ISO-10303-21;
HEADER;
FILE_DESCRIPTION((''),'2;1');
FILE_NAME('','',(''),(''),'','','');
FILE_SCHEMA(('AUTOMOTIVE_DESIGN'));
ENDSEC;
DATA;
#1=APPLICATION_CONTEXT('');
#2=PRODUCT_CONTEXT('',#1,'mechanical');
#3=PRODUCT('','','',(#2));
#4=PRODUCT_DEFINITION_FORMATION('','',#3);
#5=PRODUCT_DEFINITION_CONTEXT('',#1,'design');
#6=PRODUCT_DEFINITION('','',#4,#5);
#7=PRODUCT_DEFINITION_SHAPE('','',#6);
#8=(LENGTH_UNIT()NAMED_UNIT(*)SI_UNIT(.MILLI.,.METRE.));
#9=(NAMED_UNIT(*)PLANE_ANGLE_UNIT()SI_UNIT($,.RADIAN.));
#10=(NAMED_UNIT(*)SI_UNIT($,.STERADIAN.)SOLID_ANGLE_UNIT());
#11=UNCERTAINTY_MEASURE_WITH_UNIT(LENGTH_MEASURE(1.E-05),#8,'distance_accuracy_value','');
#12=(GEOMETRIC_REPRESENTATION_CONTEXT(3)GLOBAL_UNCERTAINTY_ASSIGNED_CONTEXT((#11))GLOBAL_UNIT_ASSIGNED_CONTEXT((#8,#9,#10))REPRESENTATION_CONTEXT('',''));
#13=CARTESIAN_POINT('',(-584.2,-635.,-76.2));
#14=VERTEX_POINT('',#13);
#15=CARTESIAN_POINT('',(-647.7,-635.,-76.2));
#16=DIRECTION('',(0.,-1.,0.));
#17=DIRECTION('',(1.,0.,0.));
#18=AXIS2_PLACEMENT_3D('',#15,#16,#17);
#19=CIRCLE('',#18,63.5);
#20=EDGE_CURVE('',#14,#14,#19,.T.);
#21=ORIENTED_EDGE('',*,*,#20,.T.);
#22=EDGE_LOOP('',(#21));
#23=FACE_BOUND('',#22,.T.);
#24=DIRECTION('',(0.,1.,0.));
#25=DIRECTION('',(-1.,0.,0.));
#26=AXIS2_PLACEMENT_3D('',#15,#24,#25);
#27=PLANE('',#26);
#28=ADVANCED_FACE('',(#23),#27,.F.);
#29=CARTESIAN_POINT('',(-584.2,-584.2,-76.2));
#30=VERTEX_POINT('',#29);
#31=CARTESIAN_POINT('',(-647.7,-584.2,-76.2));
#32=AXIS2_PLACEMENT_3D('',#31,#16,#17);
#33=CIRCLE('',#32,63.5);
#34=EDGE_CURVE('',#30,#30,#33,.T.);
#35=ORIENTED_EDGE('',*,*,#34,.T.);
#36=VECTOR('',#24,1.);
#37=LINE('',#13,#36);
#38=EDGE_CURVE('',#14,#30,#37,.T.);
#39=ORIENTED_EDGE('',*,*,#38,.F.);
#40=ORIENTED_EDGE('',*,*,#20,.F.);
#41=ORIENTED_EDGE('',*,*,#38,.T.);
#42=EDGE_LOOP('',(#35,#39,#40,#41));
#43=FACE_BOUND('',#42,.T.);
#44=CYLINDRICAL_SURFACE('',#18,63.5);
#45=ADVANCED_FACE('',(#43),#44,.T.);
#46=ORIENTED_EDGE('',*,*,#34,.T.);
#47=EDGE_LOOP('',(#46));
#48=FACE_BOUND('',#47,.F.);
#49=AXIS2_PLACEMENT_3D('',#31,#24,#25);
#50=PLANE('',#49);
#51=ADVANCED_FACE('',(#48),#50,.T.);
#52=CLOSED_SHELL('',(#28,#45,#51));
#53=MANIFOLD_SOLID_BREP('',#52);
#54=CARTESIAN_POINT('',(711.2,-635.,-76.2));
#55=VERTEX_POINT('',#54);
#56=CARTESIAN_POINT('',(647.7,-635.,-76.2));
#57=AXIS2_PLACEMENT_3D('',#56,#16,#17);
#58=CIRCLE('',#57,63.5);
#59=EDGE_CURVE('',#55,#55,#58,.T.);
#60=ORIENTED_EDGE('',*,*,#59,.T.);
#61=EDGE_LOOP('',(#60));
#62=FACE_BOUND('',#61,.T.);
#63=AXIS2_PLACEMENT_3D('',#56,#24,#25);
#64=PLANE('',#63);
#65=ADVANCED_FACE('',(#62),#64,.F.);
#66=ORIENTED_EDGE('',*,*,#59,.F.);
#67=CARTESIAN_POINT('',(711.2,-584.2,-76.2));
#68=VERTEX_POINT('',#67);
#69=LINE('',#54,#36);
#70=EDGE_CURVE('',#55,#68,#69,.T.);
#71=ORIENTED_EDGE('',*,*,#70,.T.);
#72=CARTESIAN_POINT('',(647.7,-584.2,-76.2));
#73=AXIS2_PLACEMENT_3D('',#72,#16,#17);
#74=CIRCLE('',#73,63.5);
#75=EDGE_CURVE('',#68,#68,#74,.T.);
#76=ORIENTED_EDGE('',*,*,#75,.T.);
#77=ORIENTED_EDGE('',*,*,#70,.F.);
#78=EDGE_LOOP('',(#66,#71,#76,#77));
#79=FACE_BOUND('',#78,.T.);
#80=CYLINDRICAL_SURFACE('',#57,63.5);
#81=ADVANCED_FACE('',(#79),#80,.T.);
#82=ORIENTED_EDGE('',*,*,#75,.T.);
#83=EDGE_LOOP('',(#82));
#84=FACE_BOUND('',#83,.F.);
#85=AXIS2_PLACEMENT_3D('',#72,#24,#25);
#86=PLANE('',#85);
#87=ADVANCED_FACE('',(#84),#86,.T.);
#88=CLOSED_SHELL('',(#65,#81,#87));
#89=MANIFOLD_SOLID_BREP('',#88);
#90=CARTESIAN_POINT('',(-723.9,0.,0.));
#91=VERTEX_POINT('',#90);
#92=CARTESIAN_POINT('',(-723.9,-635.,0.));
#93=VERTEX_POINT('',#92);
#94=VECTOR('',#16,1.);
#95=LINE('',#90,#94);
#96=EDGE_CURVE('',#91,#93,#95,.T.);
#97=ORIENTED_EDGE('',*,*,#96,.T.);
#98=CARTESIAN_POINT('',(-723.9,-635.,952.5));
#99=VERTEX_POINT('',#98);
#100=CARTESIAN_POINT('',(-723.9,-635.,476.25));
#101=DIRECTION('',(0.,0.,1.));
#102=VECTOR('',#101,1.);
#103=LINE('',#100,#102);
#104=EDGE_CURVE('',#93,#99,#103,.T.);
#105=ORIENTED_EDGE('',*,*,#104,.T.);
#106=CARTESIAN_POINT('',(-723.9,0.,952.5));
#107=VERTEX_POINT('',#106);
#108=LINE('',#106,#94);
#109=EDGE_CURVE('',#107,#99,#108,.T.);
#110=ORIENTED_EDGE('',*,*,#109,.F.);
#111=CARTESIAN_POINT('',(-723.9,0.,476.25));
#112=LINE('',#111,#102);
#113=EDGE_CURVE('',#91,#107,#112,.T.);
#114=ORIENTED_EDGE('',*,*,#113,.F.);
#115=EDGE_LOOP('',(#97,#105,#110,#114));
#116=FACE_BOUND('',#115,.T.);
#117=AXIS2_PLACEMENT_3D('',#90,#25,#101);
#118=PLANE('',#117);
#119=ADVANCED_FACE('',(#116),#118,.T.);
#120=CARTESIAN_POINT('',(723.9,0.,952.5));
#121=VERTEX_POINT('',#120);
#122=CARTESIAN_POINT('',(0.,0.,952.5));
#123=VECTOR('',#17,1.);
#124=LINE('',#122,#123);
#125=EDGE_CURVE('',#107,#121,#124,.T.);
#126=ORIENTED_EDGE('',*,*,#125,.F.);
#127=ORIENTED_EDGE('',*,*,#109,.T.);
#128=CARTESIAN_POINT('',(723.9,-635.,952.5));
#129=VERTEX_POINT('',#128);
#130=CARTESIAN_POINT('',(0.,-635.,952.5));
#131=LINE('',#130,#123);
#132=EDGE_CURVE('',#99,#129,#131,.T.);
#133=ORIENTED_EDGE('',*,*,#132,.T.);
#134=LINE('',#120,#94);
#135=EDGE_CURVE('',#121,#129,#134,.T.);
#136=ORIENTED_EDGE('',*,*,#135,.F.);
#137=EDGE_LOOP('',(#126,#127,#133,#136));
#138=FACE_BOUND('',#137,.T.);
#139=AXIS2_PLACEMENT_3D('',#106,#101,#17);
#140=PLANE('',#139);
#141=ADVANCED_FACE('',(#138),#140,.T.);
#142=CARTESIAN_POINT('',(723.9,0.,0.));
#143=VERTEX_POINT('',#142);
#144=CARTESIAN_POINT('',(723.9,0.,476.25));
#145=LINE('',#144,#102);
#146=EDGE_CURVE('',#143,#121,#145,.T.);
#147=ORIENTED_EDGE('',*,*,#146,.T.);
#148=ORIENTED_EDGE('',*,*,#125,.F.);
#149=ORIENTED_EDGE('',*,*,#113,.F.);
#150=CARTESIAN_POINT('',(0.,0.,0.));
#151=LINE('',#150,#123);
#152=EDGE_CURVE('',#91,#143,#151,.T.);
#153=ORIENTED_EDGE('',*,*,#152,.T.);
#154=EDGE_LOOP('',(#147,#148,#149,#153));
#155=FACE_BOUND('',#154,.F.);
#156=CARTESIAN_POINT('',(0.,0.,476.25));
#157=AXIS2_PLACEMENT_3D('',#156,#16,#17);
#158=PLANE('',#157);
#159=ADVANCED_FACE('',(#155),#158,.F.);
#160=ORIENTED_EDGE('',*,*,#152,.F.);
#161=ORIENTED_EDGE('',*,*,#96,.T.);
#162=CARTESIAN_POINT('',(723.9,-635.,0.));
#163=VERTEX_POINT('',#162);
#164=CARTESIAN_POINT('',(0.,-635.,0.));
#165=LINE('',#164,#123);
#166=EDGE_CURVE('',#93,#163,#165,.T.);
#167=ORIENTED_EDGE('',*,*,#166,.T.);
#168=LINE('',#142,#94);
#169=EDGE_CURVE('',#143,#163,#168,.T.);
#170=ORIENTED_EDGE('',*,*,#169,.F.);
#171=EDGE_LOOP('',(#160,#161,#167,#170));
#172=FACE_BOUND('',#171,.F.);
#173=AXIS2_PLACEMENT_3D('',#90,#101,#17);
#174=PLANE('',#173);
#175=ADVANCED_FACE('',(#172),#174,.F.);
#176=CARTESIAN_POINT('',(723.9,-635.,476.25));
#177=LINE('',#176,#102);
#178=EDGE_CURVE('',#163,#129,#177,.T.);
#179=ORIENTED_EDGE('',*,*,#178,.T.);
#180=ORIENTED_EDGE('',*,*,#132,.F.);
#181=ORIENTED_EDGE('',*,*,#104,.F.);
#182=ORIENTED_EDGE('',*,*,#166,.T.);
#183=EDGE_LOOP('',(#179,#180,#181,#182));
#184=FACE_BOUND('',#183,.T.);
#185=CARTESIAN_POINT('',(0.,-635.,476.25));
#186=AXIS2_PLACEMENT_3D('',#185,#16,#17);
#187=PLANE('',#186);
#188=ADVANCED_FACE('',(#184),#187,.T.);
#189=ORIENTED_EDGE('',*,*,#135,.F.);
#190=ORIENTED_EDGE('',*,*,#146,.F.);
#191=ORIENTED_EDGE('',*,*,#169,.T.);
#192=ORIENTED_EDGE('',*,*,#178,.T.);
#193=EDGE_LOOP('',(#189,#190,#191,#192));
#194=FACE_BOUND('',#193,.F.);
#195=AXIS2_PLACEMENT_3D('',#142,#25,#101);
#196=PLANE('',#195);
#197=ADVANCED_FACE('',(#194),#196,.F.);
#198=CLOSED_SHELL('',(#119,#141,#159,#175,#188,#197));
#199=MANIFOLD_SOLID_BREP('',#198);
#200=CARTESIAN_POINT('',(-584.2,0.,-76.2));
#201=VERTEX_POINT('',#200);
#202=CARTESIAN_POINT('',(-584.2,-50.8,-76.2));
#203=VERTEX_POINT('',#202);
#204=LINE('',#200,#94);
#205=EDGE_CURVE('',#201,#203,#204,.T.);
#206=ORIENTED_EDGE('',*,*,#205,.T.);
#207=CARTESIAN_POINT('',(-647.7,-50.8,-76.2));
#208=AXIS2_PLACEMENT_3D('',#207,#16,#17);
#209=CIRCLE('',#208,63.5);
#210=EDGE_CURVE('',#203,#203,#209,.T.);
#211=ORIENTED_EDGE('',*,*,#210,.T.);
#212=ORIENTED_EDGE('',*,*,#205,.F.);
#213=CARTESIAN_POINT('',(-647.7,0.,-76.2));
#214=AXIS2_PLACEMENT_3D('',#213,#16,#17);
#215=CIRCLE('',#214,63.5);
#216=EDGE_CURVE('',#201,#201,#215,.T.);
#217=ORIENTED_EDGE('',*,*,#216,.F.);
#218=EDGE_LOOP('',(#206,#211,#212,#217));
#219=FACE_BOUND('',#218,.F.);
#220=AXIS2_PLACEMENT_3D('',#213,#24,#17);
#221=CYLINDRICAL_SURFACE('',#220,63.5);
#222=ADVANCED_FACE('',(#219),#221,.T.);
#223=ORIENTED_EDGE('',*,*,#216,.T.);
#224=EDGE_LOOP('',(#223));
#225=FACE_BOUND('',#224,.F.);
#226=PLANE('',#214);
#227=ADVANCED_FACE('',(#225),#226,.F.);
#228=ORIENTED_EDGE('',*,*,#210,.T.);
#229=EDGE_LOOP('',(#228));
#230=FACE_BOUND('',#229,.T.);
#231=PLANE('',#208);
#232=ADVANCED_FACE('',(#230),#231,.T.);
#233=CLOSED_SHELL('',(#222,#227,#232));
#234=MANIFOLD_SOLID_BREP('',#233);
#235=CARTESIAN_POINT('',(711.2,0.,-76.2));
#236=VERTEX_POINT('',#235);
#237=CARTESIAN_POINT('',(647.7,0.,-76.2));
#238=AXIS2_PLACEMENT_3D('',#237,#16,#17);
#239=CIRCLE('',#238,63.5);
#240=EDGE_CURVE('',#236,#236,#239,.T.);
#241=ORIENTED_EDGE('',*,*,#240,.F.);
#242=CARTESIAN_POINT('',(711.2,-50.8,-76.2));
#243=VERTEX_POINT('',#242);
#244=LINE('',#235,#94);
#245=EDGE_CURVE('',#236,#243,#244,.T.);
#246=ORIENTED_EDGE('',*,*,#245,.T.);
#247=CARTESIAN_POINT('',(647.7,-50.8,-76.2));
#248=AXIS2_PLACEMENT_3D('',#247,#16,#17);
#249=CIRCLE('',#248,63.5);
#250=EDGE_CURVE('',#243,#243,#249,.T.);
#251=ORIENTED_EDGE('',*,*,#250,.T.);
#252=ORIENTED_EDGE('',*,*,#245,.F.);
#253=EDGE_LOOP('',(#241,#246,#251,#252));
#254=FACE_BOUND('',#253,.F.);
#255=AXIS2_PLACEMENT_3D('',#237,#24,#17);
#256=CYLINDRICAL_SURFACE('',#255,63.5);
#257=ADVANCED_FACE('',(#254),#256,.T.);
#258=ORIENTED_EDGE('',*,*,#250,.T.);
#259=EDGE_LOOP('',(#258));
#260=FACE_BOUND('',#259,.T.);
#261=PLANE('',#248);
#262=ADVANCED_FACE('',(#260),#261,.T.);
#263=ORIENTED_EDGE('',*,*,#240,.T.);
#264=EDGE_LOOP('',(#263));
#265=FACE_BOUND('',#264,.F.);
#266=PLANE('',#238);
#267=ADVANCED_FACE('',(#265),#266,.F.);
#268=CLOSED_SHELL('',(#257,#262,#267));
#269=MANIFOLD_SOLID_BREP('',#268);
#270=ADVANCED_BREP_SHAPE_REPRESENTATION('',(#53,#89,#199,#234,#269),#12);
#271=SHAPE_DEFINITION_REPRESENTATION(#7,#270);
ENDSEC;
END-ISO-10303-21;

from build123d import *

# Parameters (mm, degrees)
F0_W     = 1447.8
F0_H     = 952.5
F1_DEPTH = 635
F0_R     = 63.5
F2_DEPTH = 50.8


with BuildPart() as f1:
    # F0 (on Front) → F1 (new body)
    with BuildSketch(Plane.XZ):
        with Locations((0, 476.25)):
            Rectangle(F0_W, F0_H)
    extrude(amount=F1_DEPTH)


with BuildPart() as f2:
    # F0 (on Front) → F2 (new body)
    with BuildSketch(Plane.XZ):
        with Locations((647.7, -76.2)):
            Circle(F0_R)
    extrude(amount=F2_DEPTH)


with BuildPart() as f2b:
    # F0 (on Front) → F2, piece 2 (new body)
    with BuildSketch(Plane.XZ):
        with Locations((-647.7, -76.2)):
            Circle(F0_R)
    extrude(amount=F2_DEPTH)


with BuildPart() as f5_1:
    # F5: instance of F2
    add(f2.part.mirror(Plane.XZ.offset(317.5)))


with BuildPart() as f5_2:
    # F5: instance of F2b
    add(f2b.part.mirror(Plane.XZ.offset(317.5)))


solid = Compound([f1.part, f2.part, f2b.part, f5_1.part, f5_2.part])
